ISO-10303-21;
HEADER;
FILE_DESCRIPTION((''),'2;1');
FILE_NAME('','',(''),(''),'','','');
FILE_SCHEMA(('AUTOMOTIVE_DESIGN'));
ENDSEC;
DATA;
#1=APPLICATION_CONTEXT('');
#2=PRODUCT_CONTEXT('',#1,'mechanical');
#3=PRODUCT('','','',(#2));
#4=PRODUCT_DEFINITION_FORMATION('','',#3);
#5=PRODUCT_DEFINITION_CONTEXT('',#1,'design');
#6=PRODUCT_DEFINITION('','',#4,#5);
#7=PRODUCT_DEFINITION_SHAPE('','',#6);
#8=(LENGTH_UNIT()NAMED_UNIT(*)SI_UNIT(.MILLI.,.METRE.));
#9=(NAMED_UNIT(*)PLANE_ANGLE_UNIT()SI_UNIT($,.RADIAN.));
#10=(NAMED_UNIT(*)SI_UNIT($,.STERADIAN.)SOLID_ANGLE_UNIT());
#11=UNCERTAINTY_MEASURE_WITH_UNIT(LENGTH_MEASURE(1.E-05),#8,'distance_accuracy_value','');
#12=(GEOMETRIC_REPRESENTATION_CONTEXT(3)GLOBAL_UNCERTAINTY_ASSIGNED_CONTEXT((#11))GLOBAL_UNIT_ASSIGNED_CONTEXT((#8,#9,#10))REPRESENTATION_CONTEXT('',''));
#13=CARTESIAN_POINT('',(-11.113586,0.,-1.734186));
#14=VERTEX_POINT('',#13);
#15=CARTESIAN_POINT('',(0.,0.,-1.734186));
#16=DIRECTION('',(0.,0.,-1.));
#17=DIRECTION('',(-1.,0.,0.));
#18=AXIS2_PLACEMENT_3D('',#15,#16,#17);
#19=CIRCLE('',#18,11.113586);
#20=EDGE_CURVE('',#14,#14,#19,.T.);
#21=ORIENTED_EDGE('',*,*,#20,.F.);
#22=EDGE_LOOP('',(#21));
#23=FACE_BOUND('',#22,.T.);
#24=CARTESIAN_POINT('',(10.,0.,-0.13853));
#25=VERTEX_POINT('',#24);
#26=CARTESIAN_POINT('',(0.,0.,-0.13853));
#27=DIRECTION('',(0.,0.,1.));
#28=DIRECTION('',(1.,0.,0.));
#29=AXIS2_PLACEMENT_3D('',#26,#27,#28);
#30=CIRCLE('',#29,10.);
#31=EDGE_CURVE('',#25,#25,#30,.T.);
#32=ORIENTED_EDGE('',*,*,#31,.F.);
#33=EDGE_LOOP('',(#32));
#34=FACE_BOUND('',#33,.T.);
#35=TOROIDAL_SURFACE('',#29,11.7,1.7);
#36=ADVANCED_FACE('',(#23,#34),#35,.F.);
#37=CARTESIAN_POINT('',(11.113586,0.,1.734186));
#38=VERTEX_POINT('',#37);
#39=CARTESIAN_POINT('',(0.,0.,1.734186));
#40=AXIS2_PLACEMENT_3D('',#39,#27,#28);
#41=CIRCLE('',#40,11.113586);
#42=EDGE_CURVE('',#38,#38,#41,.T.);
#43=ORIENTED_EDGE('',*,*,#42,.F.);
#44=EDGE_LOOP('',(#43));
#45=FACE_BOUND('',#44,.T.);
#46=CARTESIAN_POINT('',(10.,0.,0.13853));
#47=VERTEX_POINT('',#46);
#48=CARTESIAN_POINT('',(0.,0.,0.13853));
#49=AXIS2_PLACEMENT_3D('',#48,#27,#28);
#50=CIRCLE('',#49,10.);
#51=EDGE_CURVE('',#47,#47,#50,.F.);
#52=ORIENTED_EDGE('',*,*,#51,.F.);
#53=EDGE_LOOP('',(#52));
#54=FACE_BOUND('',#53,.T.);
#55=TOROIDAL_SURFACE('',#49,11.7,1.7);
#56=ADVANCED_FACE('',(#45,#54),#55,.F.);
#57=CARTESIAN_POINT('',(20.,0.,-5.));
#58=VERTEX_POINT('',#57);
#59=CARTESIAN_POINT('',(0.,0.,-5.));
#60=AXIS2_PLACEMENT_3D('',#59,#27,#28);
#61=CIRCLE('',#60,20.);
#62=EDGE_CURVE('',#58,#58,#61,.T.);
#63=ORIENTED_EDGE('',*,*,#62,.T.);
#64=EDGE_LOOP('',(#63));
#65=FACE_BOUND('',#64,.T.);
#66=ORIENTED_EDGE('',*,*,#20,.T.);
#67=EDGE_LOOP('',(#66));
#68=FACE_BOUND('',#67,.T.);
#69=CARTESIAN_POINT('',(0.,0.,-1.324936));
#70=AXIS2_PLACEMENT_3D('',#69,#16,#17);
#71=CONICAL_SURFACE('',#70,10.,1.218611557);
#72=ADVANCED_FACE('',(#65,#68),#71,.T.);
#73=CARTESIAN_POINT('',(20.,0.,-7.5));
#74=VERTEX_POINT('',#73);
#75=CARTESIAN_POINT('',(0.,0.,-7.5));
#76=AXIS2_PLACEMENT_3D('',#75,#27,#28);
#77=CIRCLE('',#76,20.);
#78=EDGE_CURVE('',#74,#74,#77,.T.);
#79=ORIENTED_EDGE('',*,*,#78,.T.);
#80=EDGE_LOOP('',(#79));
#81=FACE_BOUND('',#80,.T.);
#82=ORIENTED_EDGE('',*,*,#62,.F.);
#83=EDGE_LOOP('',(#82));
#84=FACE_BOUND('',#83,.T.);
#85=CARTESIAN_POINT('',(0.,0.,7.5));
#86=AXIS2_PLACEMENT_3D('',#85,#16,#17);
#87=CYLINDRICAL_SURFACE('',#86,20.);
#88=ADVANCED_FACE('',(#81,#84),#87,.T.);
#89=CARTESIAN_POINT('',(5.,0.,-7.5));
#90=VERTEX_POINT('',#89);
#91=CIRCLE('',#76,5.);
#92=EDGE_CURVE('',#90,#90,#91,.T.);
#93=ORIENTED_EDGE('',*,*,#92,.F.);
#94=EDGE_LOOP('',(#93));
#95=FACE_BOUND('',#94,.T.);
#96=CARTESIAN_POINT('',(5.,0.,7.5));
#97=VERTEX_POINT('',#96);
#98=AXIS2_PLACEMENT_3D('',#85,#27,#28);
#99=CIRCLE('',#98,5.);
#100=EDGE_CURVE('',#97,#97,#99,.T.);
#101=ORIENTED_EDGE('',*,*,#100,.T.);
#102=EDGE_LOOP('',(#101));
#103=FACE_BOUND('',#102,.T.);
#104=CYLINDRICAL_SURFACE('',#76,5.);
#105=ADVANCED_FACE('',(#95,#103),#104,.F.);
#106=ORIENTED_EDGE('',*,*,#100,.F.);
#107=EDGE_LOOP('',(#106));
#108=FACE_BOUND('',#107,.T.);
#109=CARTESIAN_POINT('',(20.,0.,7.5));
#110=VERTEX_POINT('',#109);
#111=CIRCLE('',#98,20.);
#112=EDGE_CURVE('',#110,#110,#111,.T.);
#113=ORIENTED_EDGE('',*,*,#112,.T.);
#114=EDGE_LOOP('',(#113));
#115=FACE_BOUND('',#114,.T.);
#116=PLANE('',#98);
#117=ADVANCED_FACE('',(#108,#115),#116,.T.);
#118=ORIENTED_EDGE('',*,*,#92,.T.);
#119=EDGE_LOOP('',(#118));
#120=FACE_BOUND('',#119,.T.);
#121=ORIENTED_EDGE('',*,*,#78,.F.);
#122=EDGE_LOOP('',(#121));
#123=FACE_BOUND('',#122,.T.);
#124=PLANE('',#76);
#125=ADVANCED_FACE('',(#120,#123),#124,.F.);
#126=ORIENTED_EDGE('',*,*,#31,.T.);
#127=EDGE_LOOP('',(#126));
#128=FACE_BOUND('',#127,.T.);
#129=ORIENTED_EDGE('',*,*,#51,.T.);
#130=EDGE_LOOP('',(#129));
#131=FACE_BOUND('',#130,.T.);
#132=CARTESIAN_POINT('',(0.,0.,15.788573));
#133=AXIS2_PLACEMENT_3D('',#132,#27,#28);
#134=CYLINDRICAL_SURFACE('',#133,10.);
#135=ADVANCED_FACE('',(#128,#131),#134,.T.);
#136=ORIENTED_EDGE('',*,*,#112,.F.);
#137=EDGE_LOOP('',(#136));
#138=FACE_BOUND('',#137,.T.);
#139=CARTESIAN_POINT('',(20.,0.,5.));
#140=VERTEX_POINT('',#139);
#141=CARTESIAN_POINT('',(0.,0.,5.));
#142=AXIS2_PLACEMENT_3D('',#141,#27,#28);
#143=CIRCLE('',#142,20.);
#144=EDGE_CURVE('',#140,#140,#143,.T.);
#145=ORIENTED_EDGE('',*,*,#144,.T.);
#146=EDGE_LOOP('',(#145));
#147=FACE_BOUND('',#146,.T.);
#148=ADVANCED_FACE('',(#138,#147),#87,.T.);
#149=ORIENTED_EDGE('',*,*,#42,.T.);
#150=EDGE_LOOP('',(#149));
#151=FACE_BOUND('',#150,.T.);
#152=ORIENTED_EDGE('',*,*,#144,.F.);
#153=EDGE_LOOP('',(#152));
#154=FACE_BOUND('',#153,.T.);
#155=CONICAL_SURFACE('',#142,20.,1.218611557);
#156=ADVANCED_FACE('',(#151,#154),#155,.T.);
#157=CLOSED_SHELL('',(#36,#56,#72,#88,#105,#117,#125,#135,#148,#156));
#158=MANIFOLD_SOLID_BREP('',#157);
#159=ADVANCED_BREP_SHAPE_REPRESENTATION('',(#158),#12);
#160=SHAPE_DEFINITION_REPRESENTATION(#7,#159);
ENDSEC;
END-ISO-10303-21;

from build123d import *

# Parameters (mm, degrees)
ESQUISSE1_R             = 20
BOSS_EXTRU_1_DEPTH      = 7.5
CONG_1_R                = 1.7
CONG_3_R                = 1.7
ESQUISSE5_R             = 5
ENL_V_MAT_EXTRU_1_DEPTH = 33.015621312


with BuildPart() as part:
    # Esquisse1 → Boss.-Extru.1 (new, symmetric)
    with BuildSketch(Plane.XY):
        Circle(ESQUISSE1_R)
    extrude(amount=BOSS_EXTRU_1_DEPTH, both=True)

    # Esquisse4 → Enlèvement de matière-Révolution1 (revolve, cut)
    with BuildSketch(Plane(origin=(0, 0, 0), x_dir=(0, 0, -1), z_dir=(1, 0, 0)), mode=Mode.PRIVATE) as enl_vement_de_mati_re_r_volution1_sk:
        Polygon((-5, 20), (-1.324936438, 10), (1.324936438, 10), (5, 20), align=None)
    revolve(enl_vement_de_mati_re_r_volution1_sk.sketch.rotate(Axis((0, 0, 15.788572615), (0, 0, -1)), 90), axis=Axis((0, 0, 15.788572615), (0, 0, -1)), mode=Mode.SUBTRACT)

    # Congé1
    cong_1_edges = [part.edges().sort_by_distance(p)[0] for p in [
        (-10, 0, -1.324936438),
    ]]
    fillet(cong_1_edges, radius=CONG_1_R)

    # Congé3
    cong_3_edges = [part.edges().sort_by_distance(p)[0] for p in [
        (-10, 0, 1.324936438),
    ]]
    fillet(cong_3_edges, radius=CONG_3_R)

    # Esquisse5 → Enlèv. mat.-Extru.1 (cut, through all)
    with BuildSketch(Plane.XY.offset(7.5)):
        Circle(ESQUISSE5_R)
    extrude(amount=-ENL_V_MAT_EXTRU_1_DEPTH, mode=Mode.SUBTRACT)


solid = part.part
